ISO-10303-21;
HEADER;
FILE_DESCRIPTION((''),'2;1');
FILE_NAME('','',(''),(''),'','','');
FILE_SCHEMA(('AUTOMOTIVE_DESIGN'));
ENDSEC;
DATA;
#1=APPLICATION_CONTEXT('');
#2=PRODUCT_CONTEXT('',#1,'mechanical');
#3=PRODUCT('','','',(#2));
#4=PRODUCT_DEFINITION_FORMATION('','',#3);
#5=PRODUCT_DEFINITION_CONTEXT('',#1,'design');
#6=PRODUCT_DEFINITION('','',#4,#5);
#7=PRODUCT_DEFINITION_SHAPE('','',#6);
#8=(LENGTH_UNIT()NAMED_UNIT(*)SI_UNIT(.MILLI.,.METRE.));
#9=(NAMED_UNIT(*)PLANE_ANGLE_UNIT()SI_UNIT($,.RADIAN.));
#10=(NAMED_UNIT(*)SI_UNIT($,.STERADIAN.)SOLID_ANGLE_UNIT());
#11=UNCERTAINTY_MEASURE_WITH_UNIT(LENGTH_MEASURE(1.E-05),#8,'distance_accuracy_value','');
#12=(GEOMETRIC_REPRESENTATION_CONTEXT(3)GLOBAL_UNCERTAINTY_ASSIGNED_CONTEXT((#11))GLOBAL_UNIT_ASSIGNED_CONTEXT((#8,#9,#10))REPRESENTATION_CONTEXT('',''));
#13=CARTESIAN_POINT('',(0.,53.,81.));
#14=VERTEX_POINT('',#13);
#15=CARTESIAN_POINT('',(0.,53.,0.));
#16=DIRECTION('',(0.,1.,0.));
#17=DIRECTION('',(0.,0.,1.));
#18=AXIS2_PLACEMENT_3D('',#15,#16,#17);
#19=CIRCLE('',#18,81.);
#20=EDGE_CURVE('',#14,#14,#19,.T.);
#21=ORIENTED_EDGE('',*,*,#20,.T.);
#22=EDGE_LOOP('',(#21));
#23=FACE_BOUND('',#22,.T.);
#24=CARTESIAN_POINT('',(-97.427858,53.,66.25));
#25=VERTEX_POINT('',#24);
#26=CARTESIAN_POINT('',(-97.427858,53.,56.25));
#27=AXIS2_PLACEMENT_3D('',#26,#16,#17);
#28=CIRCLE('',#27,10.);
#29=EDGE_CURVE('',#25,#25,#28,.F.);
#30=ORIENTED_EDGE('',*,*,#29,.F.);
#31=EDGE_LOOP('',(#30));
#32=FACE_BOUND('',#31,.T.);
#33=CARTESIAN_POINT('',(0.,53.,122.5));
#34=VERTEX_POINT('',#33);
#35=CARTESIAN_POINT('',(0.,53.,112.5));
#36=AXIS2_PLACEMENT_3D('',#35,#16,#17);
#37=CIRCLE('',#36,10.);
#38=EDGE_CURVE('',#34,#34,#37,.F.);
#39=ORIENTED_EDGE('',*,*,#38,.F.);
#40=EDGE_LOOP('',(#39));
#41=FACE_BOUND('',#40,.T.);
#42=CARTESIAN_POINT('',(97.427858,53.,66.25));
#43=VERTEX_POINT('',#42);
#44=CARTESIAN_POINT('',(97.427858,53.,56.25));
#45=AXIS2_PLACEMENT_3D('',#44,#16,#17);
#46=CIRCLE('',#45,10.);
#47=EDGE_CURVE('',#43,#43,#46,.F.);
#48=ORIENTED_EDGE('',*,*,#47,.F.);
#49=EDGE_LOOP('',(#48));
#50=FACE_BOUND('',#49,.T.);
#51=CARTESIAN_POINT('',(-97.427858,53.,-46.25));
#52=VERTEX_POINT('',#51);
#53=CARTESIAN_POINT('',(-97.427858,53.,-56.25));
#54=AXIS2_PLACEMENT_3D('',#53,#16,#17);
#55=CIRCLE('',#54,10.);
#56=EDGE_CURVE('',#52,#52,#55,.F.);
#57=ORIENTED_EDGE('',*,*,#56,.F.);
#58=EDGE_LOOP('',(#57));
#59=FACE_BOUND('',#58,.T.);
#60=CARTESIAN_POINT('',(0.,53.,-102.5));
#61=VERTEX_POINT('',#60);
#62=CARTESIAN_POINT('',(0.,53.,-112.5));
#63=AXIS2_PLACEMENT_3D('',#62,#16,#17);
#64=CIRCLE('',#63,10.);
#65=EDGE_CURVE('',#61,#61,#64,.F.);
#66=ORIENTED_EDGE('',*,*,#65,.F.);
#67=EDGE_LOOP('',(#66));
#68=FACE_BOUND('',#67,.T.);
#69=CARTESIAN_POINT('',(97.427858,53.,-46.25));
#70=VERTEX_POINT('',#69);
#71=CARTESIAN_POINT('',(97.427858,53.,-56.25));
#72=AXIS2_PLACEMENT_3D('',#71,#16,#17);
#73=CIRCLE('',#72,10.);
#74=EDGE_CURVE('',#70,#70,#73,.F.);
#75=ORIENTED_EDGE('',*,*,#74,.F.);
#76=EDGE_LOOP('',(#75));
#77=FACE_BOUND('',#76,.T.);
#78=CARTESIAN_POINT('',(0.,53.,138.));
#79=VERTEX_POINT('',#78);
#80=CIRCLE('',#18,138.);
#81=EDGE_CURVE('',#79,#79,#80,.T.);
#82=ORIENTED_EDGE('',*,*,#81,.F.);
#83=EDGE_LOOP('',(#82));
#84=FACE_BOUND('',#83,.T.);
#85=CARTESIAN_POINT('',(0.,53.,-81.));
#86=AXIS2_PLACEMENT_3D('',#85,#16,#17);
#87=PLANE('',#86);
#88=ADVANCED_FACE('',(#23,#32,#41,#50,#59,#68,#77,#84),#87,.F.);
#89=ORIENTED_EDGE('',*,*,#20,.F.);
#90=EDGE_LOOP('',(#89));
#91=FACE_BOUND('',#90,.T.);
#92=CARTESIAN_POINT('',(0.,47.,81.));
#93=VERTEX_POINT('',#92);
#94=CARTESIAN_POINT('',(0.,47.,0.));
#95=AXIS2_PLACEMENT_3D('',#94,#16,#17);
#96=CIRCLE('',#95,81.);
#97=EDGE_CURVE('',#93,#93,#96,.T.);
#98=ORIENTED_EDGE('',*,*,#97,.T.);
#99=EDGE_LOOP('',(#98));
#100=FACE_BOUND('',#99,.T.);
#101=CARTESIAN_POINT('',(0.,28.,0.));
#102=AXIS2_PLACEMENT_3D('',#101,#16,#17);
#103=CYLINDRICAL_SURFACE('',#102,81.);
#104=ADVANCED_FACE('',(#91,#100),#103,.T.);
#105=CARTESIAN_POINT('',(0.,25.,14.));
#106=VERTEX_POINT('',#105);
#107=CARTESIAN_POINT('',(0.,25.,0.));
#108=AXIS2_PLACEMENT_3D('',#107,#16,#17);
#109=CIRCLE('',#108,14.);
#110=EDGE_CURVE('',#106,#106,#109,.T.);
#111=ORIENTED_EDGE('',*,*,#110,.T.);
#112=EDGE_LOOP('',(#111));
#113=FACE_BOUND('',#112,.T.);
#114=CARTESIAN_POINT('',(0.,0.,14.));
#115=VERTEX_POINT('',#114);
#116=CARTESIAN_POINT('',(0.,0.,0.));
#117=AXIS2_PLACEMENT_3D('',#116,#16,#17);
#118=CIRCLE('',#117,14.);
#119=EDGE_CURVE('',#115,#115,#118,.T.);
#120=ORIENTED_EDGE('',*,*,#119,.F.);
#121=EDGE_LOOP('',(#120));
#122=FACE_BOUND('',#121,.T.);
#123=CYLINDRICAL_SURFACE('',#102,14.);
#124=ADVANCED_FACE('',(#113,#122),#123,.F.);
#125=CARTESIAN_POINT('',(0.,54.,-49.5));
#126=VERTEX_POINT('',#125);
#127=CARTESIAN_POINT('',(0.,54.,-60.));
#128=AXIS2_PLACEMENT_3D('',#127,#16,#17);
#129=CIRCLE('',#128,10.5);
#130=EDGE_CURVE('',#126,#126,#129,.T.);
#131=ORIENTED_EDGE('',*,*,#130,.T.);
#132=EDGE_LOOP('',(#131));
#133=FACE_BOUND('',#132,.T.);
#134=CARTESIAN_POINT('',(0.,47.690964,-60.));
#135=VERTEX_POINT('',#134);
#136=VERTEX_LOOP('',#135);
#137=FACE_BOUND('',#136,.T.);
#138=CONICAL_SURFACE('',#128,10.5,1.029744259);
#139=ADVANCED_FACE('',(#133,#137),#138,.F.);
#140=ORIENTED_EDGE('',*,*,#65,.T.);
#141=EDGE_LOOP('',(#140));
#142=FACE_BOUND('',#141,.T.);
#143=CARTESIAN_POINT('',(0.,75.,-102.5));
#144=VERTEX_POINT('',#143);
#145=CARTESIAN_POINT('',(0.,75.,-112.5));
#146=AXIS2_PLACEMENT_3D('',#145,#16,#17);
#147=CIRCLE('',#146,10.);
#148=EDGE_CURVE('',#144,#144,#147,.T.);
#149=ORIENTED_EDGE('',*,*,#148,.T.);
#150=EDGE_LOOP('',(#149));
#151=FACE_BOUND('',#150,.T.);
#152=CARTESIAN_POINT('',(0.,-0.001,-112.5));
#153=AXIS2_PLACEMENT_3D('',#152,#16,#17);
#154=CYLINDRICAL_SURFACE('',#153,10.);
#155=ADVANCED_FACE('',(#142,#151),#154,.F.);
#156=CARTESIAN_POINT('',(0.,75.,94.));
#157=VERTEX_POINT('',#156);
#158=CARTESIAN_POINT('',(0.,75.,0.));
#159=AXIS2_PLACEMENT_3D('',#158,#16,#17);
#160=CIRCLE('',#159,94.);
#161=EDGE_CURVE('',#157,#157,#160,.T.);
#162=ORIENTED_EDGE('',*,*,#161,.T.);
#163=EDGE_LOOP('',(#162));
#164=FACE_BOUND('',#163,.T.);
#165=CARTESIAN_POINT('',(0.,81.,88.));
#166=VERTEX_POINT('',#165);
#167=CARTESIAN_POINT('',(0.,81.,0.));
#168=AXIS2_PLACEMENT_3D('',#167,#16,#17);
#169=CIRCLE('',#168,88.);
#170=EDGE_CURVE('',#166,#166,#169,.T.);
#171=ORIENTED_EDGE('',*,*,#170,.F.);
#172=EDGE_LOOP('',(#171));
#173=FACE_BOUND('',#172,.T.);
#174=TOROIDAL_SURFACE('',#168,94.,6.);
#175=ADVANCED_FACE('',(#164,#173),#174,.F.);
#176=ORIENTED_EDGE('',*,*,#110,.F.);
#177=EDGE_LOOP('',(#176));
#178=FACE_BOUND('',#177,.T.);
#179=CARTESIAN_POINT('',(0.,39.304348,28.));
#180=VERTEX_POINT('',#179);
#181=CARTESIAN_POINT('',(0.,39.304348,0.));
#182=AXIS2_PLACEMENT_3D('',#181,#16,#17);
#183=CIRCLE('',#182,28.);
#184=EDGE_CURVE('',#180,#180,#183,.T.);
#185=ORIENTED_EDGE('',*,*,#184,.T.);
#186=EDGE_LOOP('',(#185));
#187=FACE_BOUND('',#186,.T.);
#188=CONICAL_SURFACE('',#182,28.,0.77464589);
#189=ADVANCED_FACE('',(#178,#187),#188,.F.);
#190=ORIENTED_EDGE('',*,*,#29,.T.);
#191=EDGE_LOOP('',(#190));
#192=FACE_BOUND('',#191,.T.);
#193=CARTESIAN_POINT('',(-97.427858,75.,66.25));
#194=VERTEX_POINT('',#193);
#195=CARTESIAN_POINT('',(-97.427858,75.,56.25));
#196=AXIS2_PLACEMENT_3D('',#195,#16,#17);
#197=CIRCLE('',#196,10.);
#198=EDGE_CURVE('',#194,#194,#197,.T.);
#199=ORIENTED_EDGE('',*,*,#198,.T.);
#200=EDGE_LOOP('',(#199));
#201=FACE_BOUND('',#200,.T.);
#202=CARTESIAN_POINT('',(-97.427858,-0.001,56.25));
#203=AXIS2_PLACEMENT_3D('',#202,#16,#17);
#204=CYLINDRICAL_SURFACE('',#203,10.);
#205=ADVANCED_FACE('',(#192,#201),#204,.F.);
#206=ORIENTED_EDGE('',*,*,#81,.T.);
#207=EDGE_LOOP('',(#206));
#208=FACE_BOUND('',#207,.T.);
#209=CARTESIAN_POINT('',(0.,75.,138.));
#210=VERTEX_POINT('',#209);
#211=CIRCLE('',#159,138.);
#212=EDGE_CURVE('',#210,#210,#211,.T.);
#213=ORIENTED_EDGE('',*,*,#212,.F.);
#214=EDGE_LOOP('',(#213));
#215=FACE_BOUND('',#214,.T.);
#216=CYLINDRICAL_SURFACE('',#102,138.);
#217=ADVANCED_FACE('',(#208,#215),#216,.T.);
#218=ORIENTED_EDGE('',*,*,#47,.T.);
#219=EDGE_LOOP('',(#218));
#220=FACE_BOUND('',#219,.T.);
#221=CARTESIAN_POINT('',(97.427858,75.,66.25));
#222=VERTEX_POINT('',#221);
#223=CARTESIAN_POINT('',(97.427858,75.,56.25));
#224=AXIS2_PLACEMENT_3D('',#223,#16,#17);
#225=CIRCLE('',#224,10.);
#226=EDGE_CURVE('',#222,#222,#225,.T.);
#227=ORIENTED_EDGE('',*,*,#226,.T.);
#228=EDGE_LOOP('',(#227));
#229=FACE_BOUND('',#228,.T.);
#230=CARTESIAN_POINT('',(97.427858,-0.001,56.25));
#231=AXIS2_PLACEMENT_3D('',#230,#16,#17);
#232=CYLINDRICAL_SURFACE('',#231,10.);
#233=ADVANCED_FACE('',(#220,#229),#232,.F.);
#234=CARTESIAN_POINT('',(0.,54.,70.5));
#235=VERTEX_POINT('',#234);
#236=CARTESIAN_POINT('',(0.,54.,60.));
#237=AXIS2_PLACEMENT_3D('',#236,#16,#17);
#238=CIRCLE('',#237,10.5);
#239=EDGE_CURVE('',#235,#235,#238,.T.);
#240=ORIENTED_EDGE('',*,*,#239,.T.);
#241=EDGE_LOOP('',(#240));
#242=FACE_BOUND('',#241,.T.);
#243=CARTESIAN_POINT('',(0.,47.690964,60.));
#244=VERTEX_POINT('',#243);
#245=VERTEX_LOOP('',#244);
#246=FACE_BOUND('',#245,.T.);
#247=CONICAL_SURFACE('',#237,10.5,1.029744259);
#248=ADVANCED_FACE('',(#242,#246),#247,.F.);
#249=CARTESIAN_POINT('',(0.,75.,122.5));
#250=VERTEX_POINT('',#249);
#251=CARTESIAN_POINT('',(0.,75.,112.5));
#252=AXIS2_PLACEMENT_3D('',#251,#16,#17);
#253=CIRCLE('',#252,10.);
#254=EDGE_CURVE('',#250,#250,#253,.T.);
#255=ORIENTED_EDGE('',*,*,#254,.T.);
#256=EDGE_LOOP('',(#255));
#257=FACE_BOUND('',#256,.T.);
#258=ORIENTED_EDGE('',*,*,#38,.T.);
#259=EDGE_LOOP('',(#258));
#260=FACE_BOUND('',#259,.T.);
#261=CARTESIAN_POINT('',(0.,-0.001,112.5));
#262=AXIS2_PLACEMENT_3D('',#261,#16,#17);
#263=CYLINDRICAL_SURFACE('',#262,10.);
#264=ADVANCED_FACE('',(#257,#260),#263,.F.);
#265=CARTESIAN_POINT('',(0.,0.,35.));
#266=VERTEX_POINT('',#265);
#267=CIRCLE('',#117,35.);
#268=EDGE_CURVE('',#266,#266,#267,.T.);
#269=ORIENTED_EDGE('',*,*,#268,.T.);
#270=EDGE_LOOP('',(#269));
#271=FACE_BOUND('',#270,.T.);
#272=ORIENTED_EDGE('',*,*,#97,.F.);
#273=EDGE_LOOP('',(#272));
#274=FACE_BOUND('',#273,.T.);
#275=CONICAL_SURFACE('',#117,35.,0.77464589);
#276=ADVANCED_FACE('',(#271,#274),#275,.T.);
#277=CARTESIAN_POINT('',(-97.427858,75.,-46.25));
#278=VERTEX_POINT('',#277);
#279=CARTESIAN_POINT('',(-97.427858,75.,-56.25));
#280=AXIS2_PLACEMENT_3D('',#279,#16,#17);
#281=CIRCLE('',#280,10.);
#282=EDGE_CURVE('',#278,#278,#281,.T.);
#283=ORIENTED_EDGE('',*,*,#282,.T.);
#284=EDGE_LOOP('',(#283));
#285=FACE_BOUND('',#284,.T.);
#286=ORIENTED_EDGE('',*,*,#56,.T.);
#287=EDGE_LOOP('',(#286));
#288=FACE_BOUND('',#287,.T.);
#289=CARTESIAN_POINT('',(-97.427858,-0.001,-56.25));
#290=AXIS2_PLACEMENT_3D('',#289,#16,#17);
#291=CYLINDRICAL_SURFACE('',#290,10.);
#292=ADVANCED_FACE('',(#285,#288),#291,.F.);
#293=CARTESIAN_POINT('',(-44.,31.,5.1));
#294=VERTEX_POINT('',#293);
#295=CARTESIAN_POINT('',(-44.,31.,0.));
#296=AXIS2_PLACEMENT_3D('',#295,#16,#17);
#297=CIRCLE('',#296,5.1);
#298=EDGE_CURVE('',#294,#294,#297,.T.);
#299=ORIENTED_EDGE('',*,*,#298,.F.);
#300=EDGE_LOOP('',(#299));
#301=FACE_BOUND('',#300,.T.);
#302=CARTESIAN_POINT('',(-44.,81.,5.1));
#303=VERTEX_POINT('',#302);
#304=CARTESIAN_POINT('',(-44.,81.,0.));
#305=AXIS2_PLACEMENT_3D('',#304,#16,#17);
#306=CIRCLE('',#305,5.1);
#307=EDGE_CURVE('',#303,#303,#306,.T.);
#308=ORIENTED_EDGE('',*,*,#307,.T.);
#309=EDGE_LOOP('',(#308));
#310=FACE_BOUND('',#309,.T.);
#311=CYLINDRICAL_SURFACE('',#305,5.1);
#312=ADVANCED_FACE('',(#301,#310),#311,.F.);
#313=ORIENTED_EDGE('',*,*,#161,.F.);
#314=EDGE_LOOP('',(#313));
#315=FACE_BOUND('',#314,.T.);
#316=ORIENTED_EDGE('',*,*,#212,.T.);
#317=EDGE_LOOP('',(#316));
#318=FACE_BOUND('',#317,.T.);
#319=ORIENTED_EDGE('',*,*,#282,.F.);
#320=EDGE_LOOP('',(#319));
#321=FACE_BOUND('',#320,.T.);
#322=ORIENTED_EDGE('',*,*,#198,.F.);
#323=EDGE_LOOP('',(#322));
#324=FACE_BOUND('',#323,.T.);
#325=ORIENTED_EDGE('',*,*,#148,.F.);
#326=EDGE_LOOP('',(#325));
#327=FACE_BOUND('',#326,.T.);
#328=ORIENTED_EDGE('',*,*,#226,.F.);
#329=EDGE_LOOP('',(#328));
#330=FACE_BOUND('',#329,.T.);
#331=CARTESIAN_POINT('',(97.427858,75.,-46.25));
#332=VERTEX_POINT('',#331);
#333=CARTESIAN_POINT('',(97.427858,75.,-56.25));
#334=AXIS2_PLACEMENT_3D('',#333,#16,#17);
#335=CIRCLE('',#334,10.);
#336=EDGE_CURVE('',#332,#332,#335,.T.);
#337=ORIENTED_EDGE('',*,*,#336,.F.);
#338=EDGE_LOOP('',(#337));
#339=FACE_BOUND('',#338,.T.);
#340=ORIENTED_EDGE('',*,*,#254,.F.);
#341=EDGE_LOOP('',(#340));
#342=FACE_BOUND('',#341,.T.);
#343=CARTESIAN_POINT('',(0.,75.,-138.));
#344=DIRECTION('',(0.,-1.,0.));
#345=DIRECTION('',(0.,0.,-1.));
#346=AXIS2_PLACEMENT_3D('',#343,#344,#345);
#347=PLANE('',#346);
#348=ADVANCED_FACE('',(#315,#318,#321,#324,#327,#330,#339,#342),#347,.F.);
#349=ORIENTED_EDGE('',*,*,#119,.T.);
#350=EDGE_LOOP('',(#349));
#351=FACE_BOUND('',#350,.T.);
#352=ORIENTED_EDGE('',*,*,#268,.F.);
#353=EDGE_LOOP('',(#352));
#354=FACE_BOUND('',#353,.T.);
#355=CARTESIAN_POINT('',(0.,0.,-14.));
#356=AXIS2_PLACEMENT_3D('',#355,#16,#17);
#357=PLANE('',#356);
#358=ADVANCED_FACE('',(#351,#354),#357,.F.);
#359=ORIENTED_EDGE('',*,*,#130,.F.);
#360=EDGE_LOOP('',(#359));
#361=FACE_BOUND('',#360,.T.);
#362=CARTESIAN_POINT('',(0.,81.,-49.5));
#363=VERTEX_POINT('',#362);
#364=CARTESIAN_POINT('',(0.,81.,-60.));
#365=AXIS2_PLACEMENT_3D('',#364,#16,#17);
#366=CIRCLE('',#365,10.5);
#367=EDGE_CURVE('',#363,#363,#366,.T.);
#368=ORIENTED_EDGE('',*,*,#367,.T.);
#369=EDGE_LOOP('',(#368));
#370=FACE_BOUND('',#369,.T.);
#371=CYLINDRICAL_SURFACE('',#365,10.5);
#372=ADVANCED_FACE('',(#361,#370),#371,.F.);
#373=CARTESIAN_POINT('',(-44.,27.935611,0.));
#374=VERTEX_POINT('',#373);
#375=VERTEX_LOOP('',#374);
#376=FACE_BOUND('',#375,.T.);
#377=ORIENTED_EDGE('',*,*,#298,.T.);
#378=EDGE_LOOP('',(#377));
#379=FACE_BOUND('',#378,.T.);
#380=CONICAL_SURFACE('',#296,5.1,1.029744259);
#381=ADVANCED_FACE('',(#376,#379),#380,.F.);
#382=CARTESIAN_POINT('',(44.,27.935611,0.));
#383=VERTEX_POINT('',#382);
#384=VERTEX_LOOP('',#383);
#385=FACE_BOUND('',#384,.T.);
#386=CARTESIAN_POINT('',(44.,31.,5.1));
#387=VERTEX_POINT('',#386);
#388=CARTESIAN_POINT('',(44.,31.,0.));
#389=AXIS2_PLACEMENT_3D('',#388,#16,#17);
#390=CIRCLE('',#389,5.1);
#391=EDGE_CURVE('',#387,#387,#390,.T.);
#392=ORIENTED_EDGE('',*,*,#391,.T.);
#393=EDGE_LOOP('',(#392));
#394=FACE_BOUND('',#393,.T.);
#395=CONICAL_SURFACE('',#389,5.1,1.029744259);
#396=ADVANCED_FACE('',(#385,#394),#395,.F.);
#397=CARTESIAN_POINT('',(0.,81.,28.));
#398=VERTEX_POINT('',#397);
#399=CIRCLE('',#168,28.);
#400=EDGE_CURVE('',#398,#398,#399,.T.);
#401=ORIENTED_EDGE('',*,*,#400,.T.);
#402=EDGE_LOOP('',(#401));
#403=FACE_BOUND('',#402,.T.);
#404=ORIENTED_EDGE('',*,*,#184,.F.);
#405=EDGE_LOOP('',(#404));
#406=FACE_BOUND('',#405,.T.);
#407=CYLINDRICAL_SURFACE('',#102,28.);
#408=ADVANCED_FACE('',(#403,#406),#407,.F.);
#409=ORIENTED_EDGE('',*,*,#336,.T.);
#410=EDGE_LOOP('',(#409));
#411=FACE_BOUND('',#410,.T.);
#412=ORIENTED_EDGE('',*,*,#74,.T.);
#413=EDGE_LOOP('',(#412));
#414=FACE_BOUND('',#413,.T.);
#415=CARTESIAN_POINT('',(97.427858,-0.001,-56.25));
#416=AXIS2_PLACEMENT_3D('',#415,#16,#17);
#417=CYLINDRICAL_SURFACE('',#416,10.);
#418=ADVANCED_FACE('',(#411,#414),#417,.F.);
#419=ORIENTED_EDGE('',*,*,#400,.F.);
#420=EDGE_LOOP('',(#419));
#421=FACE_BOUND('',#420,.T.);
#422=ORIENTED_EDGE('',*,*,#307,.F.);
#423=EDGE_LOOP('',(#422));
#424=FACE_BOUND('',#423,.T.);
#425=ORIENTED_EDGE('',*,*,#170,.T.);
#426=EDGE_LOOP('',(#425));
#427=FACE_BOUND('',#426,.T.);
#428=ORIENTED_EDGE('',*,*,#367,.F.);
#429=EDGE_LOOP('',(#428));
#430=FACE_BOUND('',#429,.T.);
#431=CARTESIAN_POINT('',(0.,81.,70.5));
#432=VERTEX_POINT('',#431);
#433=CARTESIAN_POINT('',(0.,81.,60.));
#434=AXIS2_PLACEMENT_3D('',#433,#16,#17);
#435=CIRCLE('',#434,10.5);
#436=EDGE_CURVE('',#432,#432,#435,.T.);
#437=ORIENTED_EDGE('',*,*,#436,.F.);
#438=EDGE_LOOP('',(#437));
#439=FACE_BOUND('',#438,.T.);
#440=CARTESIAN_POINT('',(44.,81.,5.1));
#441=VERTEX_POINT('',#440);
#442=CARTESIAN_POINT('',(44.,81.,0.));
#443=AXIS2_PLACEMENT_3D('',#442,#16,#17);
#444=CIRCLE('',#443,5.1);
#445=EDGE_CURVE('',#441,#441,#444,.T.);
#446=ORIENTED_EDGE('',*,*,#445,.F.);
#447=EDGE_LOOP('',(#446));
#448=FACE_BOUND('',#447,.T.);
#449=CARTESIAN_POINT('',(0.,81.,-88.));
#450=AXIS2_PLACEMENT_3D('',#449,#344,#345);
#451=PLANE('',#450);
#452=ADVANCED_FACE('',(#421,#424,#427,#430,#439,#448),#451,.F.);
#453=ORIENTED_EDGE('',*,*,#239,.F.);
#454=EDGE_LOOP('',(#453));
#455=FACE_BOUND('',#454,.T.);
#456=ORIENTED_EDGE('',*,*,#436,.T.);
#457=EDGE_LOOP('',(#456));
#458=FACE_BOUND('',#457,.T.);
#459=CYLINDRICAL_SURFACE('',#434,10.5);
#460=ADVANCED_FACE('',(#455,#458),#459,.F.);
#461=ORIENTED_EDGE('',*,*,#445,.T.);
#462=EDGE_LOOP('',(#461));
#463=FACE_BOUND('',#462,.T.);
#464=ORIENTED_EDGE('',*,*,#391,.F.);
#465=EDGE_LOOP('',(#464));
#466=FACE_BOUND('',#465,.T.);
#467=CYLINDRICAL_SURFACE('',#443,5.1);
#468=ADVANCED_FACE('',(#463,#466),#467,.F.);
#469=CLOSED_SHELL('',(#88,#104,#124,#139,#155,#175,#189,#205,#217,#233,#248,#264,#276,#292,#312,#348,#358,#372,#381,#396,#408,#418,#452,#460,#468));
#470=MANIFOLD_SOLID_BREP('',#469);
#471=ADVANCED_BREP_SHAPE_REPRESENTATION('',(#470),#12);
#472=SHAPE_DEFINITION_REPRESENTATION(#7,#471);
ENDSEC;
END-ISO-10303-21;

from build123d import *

# Parameters (mm, degrees)
CUT_EXTRUDE1_REACH     = 211.077
SKETCH2_R              = 10
M24_TAPPED_HOLE1_D     = 21
M24_TAPPED_HOLE1_DEPTH = 27
M24_TAPPED_HOLE1_TIP   = 6.3090365
M12_TAPPED_HOLE1_D     = 10.2
M12_TAPPED_HOLE1_DEPTH = 50
M12_TAPPED_HOLE1_TIP   = 3.064389157


with BuildPart() as part:
    # Sketch1 → Revolve1 (revolve)
    with BuildSketch(Plane(origin=(0, 0, 0), x_dir=(0, 0, -1), z_dir=(1, 0, 0)), mode=Mode.PRIVATE) as revolve1_sk:
        with BuildLine():
            Line((14, 0), (35, 0))
            Line((35, 0), (81, 47))
            Line((81, 47), (81, 53))
            Line((81, 53), (138, 53))
            Line((138, 53), (138, 75))
            Line((138, 75), (94, 75))
            ThreePointArc((94, 75), (89.757359313, 76.757359313), (88, 81))
            Line((88, 81), (28, 81))
            Line((28, 81), (28, 39.304347826))
            Line((28, 39.304347826), (14, 25))
            Line((14, 25), (14, 0))
        make_face()
    revolve(revolve1_sk.sketch.rotate(Axis((0, 28, 0), (0, -1, 0)), 180), axis=Axis((0, 28, 0), (0, -1, 0)))

    # Sketch2 → Cut-Extrude1 (cut, up to next)
    with BuildSketch(Plane(origin=(0, 75, 0), x_dir=(1, 0, 0), z_dir=(0, 1, 0)), mode=Mode.PRIVATE) as cut_extrude1_sk1:
        with Locations(Location((0, 112.5, 0), (0, 0, 270))):
            Circle(SKETCH2_R)
    cut_extrude1_tool1 = extrude(cut_extrude1_sk1.sketch, amount=-CUT_EXTRUDE1_REACH, mode=Mode.PRIVATE) & part.part
    # Sketch2 → Cut-Extrude1 (cut, up to next)
    with BuildSketch(Plane(origin=(0, 75, 0), x_dir=(1, 0, 0), z_dir=(0, 1, 0)), mode=Mode.PRIVATE) as cut_extrude1_sk2:
        with Locations(Location((97.427857926, 56.25, 0), (0, 0, 270))):
            Circle(SKETCH2_R)
    cut_extrude1_tool2 = extrude(cut_extrude1_sk2.sketch, amount=-CUT_EXTRUDE1_REACH, mode=Mode.PRIVATE) & part.part
    # Sketch2 → Cut-Extrude1 (cut, up to next)
    with BuildSketch(Plane(origin=(0, 75, 0), x_dir=(1, 0, 0), z_dir=(0, 1, 0)), mode=Mode.PRIVATE) as cut_extrude1_sk3:
        with Locations(Location((97.427857926, -56.25, 0), (0, 0, 270))):
            Circle(SKETCH2_R)
    cut_extrude1_tool3 = extrude(cut_extrude1_sk3.sketch, amount=-CUT_EXTRUDE1_REACH, mode=Mode.PRIVATE) & part.part
    # Sketch2 → Cut-Extrude1 (cut, up to next)
    with BuildSketch(Plane(origin=(0, 75, 0), x_dir=(1, 0, 0), z_dir=(0, 1, 0)), mode=Mode.PRIVATE) as cut_extrude1_sk4:
        with Locations(Location((0, -112.5, 0), (0, 0, 270))):
            Circle(SKETCH2_R)
    cut_extrude1_tool4 = extrude(cut_extrude1_sk4.sketch, amount=-CUT_EXTRUDE1_REACH, mode=Mode.PRIVATE) & part.part
    # Sketch2 → Cut-Extrude1 (cut, up to next)
    with BuildSketch(Plane(origin=(0, 75, 0), x_dir=(1, 0, 0), z_dir=(0, 1, 0)), mode=Mode.PRIVATE) as cut_extrude1_sk5:
        with Locations(Location((-97.427857926, -56.25, 0), (0, 0, 270))):
            Circle(SKETCH2_R)
    cut_extrude1_tool5 = extrude(cut_extrude1_sk5.sketch, amount=-CUT_EXTRUDE1_REACH, mode=Mode.PRIVATE) & part.part
    # Sketch2 → Cut-Extrude1 (cut, up to next)
    with BuildSketch(Plane(origin=(0, 75, 0), x_dir=(1, 0, 0), z_dir=(0, 1, 0)), mode=Mode.PRIVATE) as cut_extrude1_sk6:
        with Locations(Location((-97.427857926, 56.25, 0), (0, 0, 270))):
            Circle(SKETCH2_R)
    cut_extrude1_tool6 = extrude(cut_extrude1_sk6.sketch, amount=-CUT_EXTRUDE1_REACH, mode=Mode.PRIVATE) & part.part
    add(cut_extrude1_tool1.solids().sort_by_distance((0, 75, -112.5))[0], mode=Mode.SUBTRACT)
    add(cut_extrude1_tool2.solids().sort_by_distance((97.427858, 75, -56.25))[0], mode=Mode.SUBTRACT)
    add(cut_extrude1_tool3.solids().sort_by_distance((97.427858, 75, 56.25))[0], mode=Mode.SUBTRACT)
    add(cut_extrude1_tool4.solids().sort_by_distance((0, 75, 112.5))[0], mode=Mode.SUBTRACT)
    add(cut_extrude1_tool5.solids().sort_by_distance((-97.427858, 75, 56.25))[0], mode=Mode.SUBTRACT)
    add(cut_extrude1_tool6.solids().sort_by_distance((-97.427858, 75, -56.25))[0], mode=Mode.SUBTRACT)

    # M24 Tapped Hole1
    with Locations(Plane(origin=(0, 81, -60), x_dir=(0, 0, 1), z_dir=(0, 1, 0))):
        with Locations((0, 0), (120, 0)):
            Hole(M24_TAPPED_HOLE1_D / 2, depth=M24_TAPPED_HOLE1_DEPTH)
            with Locations((0, 0, -(M24_TAPPED_HOLE1_DEPTH + M24_TAPPED_HOLE1_TIP / 2))):  # 118° drill point
                Cone(0, M24_TAPPED_HOLE1_D / 2, M24_TAPPED_HOLE1_TIP, mode=Mode.SUBTRACT)

    # M12 Tapped Hole1
    with Locations(Plane(origin=(44, 81, 0), x_dir=(0, 0, 1), z_dir=(0, 1, 0))):
        with Locations((0, 0), (0, -88)):
            Hole(M12_TAPPED_HOLE1_D / 2, depth=M12_TAPPED_HOLE1_DEPTH)
            with Locations((0, 0, -(M12_TAPPED_HOLE1_DEPTH + M12_TAPPED_HOLE1_TIP / 2))):  # 118° drill point
                Cone(0, M12_TAPPED_HOLE1_D / 2, M12_TAPPED_HOLE1_TIP, mode=Mode.SUBTRACT)


solid = part.part
